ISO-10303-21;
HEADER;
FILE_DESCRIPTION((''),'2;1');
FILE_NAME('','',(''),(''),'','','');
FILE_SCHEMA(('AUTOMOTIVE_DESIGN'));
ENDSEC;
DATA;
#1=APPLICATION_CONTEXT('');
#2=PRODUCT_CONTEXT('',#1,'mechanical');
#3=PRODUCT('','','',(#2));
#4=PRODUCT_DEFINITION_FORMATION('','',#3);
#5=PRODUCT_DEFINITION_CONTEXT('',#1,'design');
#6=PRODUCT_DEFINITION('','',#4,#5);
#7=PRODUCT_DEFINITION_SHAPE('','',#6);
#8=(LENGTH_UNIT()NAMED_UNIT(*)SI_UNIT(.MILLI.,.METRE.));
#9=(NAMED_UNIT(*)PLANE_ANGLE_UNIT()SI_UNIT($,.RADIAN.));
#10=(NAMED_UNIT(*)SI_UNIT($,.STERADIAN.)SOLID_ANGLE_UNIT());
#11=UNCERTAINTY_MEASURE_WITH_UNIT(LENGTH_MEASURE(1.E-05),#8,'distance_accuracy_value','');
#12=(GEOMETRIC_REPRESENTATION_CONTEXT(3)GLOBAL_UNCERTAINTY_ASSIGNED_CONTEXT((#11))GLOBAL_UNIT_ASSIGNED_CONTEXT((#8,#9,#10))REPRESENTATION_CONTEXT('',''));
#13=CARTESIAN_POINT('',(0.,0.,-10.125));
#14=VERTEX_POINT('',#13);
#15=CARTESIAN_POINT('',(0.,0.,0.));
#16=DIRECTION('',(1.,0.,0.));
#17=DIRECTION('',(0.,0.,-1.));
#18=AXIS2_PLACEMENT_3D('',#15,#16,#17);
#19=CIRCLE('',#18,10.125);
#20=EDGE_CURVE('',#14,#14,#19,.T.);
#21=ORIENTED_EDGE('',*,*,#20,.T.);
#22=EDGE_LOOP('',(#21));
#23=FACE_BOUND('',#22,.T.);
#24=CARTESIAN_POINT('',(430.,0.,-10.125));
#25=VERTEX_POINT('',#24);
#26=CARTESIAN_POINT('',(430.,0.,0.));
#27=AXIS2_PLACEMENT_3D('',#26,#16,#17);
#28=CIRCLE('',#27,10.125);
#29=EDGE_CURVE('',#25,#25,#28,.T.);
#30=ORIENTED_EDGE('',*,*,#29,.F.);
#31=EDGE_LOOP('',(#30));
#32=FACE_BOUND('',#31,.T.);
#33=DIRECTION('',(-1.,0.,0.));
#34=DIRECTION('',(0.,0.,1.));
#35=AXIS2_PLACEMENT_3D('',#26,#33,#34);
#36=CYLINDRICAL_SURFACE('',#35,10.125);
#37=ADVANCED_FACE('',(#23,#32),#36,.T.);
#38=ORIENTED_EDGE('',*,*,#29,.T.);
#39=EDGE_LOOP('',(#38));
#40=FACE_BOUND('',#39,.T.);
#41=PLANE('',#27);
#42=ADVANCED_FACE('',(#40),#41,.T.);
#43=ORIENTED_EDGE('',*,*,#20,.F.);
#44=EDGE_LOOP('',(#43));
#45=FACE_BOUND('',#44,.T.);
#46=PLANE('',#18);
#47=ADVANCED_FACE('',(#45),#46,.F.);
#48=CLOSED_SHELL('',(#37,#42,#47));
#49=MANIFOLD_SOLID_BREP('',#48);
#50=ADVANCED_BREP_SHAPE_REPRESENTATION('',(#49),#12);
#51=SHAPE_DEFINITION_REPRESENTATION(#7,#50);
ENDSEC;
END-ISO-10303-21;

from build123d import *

# Parameters (mm, degrees)
ESQUISSE1_R        = 10.125
BOSS_EXTRU_1_DEPTH = 430


with BuildPart() as part:
    # Esquisse1 → Boss.-Extru.1 (new body)
    with BuildSketch(Plane(origin=(0, 0, 0), x_dir=(0, 0, -1), z_dir=(1, 0, 0))):
        Circle(ESQUISSE1_R)
    extrude(amount=BOSS_EXTRU_1_DEPTH)


solid = part.part
